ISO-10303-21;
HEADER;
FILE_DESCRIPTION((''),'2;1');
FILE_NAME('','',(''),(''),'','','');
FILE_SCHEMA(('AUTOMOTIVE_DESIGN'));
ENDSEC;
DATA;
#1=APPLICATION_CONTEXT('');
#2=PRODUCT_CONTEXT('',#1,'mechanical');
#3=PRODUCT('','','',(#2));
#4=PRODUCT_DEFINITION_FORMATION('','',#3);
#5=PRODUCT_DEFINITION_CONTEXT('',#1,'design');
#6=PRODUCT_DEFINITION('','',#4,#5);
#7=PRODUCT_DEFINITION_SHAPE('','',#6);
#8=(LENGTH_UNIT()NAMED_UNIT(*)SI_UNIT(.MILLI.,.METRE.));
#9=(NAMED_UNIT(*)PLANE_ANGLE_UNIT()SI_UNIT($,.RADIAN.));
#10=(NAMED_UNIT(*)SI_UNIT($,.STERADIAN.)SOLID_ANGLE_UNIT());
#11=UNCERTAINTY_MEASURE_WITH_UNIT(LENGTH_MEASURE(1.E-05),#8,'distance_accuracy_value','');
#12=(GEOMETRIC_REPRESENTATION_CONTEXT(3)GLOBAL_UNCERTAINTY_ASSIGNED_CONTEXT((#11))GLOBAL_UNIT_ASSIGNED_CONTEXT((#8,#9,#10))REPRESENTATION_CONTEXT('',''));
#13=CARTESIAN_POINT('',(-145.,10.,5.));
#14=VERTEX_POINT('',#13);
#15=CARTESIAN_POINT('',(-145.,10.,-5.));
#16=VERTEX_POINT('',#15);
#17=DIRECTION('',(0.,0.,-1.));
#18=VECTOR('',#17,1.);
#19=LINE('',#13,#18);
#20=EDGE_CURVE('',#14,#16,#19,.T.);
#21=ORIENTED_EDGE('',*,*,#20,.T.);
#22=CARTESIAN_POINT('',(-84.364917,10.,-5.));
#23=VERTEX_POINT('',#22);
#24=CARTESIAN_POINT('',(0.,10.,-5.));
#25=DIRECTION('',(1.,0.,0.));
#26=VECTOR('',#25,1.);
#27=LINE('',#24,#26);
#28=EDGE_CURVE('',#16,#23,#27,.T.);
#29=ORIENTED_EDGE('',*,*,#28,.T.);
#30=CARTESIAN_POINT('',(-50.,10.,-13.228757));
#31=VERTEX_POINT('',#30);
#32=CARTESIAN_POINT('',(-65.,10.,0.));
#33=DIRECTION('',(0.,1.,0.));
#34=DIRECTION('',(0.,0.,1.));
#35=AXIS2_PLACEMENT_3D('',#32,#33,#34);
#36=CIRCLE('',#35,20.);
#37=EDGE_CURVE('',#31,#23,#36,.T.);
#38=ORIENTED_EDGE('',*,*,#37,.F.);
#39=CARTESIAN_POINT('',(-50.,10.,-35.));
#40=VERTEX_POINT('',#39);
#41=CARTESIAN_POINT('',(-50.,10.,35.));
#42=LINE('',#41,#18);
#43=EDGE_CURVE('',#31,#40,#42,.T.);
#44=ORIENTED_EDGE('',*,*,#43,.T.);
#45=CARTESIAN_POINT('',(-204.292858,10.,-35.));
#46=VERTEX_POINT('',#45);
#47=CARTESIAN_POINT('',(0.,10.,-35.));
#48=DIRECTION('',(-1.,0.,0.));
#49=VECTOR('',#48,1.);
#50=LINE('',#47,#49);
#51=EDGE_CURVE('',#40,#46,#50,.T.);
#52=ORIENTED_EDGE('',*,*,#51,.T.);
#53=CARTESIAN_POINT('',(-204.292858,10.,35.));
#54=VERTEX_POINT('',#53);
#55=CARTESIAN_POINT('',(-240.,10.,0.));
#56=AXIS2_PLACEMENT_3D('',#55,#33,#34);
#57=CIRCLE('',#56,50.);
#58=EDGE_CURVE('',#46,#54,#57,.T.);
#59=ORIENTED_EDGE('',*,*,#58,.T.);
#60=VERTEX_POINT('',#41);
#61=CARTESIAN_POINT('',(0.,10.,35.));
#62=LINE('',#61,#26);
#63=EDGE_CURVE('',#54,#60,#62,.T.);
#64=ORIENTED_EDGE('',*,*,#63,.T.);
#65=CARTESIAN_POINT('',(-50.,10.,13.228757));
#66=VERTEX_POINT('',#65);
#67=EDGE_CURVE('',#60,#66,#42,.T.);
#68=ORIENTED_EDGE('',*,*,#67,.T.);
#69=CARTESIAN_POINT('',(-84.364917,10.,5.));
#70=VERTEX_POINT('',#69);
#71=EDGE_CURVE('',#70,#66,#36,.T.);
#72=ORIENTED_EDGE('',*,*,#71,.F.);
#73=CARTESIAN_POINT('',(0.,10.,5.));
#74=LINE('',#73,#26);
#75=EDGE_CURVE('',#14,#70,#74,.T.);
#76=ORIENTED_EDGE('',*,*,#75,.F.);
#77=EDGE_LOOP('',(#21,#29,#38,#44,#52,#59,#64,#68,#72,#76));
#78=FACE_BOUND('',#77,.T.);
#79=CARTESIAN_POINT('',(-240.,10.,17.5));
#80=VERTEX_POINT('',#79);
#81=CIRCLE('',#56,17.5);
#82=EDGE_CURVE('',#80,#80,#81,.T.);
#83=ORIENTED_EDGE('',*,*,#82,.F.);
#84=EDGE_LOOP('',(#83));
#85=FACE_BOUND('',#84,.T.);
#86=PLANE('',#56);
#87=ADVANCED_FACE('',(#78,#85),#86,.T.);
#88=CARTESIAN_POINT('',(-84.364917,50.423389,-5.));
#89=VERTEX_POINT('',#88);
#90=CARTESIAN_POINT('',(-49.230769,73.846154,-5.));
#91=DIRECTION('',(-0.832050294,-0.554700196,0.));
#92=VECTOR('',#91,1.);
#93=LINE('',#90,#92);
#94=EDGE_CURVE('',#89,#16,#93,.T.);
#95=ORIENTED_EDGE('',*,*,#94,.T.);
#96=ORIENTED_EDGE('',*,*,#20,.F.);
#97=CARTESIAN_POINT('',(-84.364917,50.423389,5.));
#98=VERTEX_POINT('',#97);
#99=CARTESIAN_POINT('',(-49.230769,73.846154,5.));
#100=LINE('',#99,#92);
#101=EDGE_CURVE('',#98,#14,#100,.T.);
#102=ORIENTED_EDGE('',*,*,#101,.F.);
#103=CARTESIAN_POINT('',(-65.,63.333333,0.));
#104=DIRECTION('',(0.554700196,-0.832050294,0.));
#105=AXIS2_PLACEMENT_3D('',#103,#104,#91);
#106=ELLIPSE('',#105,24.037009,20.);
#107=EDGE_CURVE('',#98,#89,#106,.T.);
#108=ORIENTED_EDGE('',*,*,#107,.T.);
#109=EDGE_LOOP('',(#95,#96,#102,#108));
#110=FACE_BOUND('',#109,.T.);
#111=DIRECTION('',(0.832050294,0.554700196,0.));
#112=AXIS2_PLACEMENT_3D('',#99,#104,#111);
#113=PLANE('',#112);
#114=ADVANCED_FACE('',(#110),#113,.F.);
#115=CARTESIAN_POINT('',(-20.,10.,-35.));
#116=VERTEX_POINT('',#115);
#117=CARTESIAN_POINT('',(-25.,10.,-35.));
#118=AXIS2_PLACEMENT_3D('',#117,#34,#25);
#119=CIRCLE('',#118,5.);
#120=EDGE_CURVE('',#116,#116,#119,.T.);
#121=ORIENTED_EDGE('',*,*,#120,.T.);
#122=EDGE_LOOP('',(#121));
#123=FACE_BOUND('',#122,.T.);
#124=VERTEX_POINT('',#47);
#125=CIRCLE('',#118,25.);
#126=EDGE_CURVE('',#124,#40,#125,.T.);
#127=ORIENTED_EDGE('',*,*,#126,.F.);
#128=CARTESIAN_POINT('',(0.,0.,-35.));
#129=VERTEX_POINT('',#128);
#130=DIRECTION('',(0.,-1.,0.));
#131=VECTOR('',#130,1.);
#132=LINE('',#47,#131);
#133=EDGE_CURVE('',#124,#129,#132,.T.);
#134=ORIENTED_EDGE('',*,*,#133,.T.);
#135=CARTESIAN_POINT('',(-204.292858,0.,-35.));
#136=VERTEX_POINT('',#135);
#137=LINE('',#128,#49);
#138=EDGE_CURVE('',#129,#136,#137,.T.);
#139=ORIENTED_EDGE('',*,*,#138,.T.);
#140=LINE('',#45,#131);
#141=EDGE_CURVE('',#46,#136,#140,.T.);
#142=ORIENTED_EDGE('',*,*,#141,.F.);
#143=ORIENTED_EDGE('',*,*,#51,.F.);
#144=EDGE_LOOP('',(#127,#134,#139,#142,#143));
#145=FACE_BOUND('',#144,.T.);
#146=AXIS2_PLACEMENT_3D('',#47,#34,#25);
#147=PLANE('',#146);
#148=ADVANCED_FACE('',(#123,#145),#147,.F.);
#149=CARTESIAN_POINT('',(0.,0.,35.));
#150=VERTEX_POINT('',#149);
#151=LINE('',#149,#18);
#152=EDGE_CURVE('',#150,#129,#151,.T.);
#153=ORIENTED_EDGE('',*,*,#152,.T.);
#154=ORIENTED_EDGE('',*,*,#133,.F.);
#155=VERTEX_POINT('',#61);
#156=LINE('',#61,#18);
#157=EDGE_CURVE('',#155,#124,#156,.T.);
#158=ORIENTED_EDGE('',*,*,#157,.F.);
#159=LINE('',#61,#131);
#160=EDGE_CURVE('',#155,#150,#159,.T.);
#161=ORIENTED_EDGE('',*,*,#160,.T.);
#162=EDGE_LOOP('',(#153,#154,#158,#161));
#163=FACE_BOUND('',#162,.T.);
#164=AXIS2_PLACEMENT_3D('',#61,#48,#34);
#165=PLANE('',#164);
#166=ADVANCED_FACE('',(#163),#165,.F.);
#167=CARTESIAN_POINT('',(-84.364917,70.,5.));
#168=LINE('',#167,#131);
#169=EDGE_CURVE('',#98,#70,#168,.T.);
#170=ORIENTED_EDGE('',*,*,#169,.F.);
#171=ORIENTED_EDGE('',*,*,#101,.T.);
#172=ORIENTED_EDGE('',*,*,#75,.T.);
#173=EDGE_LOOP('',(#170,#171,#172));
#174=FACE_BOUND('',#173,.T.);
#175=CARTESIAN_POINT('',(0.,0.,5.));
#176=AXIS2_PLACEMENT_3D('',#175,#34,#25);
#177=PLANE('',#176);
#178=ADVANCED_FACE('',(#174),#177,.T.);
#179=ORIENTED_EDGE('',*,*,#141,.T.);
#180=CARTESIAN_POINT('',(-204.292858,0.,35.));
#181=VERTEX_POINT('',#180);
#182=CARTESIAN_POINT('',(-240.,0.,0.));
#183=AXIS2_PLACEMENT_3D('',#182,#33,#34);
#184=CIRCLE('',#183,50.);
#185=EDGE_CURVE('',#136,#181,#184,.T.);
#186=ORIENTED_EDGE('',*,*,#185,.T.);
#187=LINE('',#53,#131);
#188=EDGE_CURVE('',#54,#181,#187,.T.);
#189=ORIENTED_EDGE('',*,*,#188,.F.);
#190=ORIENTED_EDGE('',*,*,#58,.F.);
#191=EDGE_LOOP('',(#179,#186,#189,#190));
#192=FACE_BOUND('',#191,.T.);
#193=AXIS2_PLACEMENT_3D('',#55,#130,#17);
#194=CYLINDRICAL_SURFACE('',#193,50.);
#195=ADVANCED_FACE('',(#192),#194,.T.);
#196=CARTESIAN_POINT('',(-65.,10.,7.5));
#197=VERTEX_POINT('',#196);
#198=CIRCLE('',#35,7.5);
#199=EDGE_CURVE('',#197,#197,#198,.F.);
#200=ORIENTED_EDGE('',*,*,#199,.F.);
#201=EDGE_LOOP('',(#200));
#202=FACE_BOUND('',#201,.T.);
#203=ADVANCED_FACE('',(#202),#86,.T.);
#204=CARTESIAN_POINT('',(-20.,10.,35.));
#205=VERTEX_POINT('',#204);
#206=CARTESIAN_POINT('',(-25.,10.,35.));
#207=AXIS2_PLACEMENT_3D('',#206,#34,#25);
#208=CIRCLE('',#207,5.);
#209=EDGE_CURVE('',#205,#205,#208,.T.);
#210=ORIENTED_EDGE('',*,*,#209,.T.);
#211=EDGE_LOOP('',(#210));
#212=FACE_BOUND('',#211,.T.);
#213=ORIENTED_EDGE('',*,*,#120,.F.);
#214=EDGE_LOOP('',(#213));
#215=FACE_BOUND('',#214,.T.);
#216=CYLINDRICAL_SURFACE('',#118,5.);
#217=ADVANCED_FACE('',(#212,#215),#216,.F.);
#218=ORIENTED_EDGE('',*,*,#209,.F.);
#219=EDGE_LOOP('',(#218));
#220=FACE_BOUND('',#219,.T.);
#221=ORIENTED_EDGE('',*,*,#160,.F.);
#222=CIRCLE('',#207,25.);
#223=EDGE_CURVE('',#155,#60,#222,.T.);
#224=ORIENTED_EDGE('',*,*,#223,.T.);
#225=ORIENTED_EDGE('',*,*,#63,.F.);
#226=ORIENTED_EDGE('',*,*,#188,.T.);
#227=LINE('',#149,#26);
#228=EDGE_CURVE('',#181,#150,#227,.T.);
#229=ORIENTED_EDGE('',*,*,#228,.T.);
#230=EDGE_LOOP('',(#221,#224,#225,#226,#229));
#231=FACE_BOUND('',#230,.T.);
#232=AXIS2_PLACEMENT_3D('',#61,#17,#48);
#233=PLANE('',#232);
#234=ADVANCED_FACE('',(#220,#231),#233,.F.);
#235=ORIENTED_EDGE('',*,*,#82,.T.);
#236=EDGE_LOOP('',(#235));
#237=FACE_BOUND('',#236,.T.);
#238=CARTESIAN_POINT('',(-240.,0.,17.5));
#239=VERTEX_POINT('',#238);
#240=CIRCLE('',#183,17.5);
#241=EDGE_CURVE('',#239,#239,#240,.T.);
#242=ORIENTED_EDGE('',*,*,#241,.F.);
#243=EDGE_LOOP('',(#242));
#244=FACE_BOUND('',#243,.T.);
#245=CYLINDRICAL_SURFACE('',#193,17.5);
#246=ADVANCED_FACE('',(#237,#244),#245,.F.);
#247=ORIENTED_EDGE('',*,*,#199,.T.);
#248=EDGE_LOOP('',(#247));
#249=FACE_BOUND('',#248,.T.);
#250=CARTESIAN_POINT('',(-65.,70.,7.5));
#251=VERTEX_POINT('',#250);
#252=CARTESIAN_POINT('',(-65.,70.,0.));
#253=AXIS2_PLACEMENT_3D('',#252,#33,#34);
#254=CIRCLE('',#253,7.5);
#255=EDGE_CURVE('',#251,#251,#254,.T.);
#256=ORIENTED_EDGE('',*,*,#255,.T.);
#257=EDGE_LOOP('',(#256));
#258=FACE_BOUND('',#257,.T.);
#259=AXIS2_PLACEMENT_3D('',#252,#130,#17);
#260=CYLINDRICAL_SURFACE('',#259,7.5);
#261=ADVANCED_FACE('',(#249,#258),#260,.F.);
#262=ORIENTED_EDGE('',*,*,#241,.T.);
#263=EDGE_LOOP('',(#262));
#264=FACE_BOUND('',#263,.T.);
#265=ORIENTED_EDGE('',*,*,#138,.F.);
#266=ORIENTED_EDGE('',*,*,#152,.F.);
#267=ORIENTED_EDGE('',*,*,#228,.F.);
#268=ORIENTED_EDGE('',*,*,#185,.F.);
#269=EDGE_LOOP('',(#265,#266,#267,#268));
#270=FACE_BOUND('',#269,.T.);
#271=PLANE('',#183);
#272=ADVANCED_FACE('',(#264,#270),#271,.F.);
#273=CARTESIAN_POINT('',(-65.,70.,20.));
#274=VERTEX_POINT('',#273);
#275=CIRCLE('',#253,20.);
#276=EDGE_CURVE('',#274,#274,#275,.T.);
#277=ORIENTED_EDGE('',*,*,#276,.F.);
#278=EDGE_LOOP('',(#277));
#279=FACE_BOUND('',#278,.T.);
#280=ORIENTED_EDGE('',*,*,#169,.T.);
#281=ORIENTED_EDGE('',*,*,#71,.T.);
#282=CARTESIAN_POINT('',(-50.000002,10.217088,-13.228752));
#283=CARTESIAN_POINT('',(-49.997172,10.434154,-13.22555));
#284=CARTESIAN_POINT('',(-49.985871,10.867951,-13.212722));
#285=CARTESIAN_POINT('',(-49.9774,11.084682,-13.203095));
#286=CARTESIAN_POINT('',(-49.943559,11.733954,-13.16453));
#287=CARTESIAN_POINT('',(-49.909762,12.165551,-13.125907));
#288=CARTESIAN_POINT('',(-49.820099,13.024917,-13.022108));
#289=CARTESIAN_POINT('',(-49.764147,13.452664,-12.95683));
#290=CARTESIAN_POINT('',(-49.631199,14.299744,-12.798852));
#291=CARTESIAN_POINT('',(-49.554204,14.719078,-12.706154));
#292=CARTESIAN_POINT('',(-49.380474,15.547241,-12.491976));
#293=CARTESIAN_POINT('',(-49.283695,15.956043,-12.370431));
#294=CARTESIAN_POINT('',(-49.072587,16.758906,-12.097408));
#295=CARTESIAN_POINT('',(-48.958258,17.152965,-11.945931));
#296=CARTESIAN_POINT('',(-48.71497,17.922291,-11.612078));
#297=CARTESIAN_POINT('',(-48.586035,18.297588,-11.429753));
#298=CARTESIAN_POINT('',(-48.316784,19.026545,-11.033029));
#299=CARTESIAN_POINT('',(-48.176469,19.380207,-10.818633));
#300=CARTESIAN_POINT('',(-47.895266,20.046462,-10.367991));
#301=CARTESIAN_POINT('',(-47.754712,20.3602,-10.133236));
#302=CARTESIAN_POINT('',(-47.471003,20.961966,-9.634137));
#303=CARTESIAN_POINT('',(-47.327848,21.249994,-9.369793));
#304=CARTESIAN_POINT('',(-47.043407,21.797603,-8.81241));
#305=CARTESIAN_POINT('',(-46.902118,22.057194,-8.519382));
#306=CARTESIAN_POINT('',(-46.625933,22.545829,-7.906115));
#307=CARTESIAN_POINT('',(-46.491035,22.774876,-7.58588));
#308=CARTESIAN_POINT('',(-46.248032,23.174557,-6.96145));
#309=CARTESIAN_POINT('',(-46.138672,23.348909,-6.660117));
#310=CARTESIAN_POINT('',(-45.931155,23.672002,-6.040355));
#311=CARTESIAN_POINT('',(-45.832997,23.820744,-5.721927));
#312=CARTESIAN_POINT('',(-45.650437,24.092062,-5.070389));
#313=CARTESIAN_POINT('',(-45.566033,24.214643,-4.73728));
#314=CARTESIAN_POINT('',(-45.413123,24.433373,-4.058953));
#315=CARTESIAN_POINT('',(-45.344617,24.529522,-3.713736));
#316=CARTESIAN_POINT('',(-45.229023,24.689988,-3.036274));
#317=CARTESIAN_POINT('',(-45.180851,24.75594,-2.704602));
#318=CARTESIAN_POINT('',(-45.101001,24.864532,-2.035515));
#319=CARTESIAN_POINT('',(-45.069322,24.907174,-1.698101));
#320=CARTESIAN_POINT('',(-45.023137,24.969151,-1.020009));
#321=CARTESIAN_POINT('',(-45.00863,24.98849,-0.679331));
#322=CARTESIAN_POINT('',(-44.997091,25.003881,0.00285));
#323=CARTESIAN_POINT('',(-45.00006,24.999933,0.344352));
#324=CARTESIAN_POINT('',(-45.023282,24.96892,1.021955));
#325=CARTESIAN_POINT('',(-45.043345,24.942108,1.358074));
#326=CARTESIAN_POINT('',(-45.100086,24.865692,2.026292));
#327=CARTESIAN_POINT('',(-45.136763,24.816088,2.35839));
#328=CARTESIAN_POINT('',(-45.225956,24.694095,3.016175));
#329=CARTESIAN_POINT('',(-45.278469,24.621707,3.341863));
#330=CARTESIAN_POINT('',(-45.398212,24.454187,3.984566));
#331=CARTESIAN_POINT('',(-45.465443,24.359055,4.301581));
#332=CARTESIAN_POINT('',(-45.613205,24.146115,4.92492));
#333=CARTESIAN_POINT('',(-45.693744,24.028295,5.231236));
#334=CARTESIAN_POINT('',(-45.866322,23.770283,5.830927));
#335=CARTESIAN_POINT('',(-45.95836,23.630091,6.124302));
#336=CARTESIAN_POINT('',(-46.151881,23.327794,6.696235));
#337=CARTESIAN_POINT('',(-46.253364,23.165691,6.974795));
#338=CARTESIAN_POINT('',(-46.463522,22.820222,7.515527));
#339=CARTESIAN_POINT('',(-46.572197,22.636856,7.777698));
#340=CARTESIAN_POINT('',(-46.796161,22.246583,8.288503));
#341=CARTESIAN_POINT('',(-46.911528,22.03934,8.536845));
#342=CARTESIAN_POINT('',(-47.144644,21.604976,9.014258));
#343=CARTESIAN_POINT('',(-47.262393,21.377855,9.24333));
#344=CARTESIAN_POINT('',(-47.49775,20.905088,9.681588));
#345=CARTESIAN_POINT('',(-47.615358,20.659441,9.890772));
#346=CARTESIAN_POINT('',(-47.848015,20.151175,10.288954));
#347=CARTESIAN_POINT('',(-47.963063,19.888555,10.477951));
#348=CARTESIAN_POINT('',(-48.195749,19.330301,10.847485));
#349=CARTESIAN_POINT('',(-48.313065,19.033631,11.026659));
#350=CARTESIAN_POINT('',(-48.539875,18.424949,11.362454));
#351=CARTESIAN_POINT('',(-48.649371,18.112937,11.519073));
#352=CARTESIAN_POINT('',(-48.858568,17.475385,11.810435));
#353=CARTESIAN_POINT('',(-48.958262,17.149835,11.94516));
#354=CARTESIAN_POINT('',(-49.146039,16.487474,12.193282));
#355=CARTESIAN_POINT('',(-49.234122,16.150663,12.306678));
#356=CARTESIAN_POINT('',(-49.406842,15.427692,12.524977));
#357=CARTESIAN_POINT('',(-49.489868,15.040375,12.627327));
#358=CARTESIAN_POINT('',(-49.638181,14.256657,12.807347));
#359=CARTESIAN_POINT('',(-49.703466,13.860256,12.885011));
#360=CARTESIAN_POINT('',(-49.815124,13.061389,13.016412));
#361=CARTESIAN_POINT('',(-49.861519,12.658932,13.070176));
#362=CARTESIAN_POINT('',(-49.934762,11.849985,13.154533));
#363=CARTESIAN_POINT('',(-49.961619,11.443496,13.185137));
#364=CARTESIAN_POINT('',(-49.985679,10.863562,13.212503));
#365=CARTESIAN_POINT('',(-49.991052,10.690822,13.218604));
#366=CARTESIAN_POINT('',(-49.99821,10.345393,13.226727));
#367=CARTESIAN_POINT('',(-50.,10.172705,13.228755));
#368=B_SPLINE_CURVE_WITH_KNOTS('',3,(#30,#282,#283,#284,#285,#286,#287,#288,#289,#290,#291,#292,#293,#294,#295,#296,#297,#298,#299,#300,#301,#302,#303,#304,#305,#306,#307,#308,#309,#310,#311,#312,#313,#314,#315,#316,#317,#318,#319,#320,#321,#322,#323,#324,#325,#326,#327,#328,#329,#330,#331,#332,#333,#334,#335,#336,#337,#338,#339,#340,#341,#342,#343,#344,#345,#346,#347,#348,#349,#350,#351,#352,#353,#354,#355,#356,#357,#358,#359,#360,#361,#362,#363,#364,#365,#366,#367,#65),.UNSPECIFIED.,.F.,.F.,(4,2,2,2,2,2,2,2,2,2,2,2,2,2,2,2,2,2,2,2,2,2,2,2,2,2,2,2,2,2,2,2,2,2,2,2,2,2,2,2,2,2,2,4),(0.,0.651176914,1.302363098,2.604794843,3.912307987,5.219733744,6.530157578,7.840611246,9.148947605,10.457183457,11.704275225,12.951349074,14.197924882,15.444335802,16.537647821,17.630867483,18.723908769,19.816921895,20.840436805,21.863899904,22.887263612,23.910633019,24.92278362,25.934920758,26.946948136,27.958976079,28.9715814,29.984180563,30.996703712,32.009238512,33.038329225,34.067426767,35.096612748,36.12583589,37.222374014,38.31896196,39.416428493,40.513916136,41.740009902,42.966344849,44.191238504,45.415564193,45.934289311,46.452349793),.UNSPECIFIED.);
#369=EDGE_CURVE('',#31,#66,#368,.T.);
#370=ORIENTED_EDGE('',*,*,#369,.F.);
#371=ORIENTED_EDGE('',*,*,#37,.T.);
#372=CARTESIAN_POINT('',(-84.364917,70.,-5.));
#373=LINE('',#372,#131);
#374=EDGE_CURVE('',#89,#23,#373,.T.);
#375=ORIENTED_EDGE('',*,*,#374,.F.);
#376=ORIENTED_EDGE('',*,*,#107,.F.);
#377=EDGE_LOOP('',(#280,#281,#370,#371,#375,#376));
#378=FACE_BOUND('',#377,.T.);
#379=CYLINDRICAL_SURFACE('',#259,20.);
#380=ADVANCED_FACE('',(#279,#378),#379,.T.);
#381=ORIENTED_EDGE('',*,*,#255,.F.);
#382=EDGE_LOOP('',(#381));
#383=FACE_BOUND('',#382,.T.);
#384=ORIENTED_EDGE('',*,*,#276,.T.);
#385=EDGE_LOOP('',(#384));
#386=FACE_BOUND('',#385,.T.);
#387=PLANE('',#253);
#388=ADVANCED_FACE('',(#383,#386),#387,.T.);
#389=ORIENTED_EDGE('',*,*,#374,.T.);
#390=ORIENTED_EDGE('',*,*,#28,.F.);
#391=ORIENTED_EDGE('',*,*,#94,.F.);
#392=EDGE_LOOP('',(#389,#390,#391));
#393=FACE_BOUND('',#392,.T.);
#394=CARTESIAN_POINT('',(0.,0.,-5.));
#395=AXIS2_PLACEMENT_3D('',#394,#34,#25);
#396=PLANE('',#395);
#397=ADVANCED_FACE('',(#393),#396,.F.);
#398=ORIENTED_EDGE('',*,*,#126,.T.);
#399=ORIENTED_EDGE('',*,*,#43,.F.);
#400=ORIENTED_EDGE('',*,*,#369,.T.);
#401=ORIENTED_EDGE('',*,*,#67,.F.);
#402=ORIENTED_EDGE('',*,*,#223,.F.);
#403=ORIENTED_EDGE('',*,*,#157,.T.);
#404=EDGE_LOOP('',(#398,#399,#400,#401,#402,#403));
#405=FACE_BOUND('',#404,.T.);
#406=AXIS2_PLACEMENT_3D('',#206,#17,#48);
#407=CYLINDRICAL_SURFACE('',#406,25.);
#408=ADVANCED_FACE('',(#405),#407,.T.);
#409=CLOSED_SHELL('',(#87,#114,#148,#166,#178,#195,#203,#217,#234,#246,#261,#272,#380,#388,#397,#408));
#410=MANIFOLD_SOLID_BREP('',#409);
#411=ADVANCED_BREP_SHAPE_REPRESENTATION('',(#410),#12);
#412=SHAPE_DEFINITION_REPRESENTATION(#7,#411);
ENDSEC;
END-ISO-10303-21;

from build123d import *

# Parameters (mm, degrees)
SKETCH2_R           = 17.5
BOSS_EXTRUDE1_DEPTH = 10
SKETCH3_R           = 20
SKETCH3_R_2         = 7.5
BOSS_EXTRUDE2_DEPTH = 60
BOSS_EXTRUDE7_DEPTH = 5
BOSS_EXTRUDE8_DEPTH = 35
SKETCH5_R           = 5
CUT_EXTRUDE1_DEPTH  = 70


with BuildPart() as part:
    # Sketch2 → Boss-Extrude1 (new body)
    with BuildSketch(Plane(origin=(0, 0, 0), x_dir=(1, 0, 0), z_dir=(0, 1, 0))):
        with BuildLine():
            Line((0, -35), (-204.292857857, -35))
            ThreePointArc((-204.292857857, -35), (-290, 0), (-204.292857857, 35))
            Line((-204.292857857, 35), (0, 35))
            Line((0, 35), (0, -35))
        make_face()
        with Locations((-240, 0)):
            Circle(SKETCH2_R, mode=Mode.SUBTRACT)
    extrude(amount=BOSS_EXTRUDE1_DEPTH)

    # Sketch3 → Boss-Extrude2 (add)
    with BuildSketch(Plane(origin=(0, 10, 0), x_dir=(1, 0, 0), z_dir=(0, 1, 0))):
        with Locations((-65, 0)):
            Circle(SKETCH3_R)
        with Locations((-65, 0)):
            Circle(SKETCH3_R_2, mode=Mode.SUBTRACT)
    extrude(amount=BOSS_EXTRUDE2_DEPTH)

    # Sketch4 → Boss-Extrude7 (add, symmetric)
    with BuildSketch(Plane.XY):
        Polygon((-81.055755384, 10), (-81.055755384, 52.629496411), (-145, 10), align=None)
    extrude(amount=BOSS_EXTRUDE7_DEPTH, both=True)

    # Sketch4<6> → Boss-Extrude8 (add, symmetric)
    with BuildSketch(Plane.XY):
        with BuildLine():
            ThreePointArc((0, 10), (-25, 35), (-50, 10))
            Line((-50, 10), (0, 10))
        make_face()
    extrude(amount=BOSS_EXTRUDE8_DEPTH, both=True)

    # Sketch5 → Cut-Extrude1 (cut)
    with BuildSketch(Plane.XY.offset(35)):
        with Locations((-25, 10)):
            Circle(SKETCH5_R)
    extrude(amount=-CUT_EXTRUDE1_DEPTH, mode=Mode.SUBTRACT)


solid = part.part
